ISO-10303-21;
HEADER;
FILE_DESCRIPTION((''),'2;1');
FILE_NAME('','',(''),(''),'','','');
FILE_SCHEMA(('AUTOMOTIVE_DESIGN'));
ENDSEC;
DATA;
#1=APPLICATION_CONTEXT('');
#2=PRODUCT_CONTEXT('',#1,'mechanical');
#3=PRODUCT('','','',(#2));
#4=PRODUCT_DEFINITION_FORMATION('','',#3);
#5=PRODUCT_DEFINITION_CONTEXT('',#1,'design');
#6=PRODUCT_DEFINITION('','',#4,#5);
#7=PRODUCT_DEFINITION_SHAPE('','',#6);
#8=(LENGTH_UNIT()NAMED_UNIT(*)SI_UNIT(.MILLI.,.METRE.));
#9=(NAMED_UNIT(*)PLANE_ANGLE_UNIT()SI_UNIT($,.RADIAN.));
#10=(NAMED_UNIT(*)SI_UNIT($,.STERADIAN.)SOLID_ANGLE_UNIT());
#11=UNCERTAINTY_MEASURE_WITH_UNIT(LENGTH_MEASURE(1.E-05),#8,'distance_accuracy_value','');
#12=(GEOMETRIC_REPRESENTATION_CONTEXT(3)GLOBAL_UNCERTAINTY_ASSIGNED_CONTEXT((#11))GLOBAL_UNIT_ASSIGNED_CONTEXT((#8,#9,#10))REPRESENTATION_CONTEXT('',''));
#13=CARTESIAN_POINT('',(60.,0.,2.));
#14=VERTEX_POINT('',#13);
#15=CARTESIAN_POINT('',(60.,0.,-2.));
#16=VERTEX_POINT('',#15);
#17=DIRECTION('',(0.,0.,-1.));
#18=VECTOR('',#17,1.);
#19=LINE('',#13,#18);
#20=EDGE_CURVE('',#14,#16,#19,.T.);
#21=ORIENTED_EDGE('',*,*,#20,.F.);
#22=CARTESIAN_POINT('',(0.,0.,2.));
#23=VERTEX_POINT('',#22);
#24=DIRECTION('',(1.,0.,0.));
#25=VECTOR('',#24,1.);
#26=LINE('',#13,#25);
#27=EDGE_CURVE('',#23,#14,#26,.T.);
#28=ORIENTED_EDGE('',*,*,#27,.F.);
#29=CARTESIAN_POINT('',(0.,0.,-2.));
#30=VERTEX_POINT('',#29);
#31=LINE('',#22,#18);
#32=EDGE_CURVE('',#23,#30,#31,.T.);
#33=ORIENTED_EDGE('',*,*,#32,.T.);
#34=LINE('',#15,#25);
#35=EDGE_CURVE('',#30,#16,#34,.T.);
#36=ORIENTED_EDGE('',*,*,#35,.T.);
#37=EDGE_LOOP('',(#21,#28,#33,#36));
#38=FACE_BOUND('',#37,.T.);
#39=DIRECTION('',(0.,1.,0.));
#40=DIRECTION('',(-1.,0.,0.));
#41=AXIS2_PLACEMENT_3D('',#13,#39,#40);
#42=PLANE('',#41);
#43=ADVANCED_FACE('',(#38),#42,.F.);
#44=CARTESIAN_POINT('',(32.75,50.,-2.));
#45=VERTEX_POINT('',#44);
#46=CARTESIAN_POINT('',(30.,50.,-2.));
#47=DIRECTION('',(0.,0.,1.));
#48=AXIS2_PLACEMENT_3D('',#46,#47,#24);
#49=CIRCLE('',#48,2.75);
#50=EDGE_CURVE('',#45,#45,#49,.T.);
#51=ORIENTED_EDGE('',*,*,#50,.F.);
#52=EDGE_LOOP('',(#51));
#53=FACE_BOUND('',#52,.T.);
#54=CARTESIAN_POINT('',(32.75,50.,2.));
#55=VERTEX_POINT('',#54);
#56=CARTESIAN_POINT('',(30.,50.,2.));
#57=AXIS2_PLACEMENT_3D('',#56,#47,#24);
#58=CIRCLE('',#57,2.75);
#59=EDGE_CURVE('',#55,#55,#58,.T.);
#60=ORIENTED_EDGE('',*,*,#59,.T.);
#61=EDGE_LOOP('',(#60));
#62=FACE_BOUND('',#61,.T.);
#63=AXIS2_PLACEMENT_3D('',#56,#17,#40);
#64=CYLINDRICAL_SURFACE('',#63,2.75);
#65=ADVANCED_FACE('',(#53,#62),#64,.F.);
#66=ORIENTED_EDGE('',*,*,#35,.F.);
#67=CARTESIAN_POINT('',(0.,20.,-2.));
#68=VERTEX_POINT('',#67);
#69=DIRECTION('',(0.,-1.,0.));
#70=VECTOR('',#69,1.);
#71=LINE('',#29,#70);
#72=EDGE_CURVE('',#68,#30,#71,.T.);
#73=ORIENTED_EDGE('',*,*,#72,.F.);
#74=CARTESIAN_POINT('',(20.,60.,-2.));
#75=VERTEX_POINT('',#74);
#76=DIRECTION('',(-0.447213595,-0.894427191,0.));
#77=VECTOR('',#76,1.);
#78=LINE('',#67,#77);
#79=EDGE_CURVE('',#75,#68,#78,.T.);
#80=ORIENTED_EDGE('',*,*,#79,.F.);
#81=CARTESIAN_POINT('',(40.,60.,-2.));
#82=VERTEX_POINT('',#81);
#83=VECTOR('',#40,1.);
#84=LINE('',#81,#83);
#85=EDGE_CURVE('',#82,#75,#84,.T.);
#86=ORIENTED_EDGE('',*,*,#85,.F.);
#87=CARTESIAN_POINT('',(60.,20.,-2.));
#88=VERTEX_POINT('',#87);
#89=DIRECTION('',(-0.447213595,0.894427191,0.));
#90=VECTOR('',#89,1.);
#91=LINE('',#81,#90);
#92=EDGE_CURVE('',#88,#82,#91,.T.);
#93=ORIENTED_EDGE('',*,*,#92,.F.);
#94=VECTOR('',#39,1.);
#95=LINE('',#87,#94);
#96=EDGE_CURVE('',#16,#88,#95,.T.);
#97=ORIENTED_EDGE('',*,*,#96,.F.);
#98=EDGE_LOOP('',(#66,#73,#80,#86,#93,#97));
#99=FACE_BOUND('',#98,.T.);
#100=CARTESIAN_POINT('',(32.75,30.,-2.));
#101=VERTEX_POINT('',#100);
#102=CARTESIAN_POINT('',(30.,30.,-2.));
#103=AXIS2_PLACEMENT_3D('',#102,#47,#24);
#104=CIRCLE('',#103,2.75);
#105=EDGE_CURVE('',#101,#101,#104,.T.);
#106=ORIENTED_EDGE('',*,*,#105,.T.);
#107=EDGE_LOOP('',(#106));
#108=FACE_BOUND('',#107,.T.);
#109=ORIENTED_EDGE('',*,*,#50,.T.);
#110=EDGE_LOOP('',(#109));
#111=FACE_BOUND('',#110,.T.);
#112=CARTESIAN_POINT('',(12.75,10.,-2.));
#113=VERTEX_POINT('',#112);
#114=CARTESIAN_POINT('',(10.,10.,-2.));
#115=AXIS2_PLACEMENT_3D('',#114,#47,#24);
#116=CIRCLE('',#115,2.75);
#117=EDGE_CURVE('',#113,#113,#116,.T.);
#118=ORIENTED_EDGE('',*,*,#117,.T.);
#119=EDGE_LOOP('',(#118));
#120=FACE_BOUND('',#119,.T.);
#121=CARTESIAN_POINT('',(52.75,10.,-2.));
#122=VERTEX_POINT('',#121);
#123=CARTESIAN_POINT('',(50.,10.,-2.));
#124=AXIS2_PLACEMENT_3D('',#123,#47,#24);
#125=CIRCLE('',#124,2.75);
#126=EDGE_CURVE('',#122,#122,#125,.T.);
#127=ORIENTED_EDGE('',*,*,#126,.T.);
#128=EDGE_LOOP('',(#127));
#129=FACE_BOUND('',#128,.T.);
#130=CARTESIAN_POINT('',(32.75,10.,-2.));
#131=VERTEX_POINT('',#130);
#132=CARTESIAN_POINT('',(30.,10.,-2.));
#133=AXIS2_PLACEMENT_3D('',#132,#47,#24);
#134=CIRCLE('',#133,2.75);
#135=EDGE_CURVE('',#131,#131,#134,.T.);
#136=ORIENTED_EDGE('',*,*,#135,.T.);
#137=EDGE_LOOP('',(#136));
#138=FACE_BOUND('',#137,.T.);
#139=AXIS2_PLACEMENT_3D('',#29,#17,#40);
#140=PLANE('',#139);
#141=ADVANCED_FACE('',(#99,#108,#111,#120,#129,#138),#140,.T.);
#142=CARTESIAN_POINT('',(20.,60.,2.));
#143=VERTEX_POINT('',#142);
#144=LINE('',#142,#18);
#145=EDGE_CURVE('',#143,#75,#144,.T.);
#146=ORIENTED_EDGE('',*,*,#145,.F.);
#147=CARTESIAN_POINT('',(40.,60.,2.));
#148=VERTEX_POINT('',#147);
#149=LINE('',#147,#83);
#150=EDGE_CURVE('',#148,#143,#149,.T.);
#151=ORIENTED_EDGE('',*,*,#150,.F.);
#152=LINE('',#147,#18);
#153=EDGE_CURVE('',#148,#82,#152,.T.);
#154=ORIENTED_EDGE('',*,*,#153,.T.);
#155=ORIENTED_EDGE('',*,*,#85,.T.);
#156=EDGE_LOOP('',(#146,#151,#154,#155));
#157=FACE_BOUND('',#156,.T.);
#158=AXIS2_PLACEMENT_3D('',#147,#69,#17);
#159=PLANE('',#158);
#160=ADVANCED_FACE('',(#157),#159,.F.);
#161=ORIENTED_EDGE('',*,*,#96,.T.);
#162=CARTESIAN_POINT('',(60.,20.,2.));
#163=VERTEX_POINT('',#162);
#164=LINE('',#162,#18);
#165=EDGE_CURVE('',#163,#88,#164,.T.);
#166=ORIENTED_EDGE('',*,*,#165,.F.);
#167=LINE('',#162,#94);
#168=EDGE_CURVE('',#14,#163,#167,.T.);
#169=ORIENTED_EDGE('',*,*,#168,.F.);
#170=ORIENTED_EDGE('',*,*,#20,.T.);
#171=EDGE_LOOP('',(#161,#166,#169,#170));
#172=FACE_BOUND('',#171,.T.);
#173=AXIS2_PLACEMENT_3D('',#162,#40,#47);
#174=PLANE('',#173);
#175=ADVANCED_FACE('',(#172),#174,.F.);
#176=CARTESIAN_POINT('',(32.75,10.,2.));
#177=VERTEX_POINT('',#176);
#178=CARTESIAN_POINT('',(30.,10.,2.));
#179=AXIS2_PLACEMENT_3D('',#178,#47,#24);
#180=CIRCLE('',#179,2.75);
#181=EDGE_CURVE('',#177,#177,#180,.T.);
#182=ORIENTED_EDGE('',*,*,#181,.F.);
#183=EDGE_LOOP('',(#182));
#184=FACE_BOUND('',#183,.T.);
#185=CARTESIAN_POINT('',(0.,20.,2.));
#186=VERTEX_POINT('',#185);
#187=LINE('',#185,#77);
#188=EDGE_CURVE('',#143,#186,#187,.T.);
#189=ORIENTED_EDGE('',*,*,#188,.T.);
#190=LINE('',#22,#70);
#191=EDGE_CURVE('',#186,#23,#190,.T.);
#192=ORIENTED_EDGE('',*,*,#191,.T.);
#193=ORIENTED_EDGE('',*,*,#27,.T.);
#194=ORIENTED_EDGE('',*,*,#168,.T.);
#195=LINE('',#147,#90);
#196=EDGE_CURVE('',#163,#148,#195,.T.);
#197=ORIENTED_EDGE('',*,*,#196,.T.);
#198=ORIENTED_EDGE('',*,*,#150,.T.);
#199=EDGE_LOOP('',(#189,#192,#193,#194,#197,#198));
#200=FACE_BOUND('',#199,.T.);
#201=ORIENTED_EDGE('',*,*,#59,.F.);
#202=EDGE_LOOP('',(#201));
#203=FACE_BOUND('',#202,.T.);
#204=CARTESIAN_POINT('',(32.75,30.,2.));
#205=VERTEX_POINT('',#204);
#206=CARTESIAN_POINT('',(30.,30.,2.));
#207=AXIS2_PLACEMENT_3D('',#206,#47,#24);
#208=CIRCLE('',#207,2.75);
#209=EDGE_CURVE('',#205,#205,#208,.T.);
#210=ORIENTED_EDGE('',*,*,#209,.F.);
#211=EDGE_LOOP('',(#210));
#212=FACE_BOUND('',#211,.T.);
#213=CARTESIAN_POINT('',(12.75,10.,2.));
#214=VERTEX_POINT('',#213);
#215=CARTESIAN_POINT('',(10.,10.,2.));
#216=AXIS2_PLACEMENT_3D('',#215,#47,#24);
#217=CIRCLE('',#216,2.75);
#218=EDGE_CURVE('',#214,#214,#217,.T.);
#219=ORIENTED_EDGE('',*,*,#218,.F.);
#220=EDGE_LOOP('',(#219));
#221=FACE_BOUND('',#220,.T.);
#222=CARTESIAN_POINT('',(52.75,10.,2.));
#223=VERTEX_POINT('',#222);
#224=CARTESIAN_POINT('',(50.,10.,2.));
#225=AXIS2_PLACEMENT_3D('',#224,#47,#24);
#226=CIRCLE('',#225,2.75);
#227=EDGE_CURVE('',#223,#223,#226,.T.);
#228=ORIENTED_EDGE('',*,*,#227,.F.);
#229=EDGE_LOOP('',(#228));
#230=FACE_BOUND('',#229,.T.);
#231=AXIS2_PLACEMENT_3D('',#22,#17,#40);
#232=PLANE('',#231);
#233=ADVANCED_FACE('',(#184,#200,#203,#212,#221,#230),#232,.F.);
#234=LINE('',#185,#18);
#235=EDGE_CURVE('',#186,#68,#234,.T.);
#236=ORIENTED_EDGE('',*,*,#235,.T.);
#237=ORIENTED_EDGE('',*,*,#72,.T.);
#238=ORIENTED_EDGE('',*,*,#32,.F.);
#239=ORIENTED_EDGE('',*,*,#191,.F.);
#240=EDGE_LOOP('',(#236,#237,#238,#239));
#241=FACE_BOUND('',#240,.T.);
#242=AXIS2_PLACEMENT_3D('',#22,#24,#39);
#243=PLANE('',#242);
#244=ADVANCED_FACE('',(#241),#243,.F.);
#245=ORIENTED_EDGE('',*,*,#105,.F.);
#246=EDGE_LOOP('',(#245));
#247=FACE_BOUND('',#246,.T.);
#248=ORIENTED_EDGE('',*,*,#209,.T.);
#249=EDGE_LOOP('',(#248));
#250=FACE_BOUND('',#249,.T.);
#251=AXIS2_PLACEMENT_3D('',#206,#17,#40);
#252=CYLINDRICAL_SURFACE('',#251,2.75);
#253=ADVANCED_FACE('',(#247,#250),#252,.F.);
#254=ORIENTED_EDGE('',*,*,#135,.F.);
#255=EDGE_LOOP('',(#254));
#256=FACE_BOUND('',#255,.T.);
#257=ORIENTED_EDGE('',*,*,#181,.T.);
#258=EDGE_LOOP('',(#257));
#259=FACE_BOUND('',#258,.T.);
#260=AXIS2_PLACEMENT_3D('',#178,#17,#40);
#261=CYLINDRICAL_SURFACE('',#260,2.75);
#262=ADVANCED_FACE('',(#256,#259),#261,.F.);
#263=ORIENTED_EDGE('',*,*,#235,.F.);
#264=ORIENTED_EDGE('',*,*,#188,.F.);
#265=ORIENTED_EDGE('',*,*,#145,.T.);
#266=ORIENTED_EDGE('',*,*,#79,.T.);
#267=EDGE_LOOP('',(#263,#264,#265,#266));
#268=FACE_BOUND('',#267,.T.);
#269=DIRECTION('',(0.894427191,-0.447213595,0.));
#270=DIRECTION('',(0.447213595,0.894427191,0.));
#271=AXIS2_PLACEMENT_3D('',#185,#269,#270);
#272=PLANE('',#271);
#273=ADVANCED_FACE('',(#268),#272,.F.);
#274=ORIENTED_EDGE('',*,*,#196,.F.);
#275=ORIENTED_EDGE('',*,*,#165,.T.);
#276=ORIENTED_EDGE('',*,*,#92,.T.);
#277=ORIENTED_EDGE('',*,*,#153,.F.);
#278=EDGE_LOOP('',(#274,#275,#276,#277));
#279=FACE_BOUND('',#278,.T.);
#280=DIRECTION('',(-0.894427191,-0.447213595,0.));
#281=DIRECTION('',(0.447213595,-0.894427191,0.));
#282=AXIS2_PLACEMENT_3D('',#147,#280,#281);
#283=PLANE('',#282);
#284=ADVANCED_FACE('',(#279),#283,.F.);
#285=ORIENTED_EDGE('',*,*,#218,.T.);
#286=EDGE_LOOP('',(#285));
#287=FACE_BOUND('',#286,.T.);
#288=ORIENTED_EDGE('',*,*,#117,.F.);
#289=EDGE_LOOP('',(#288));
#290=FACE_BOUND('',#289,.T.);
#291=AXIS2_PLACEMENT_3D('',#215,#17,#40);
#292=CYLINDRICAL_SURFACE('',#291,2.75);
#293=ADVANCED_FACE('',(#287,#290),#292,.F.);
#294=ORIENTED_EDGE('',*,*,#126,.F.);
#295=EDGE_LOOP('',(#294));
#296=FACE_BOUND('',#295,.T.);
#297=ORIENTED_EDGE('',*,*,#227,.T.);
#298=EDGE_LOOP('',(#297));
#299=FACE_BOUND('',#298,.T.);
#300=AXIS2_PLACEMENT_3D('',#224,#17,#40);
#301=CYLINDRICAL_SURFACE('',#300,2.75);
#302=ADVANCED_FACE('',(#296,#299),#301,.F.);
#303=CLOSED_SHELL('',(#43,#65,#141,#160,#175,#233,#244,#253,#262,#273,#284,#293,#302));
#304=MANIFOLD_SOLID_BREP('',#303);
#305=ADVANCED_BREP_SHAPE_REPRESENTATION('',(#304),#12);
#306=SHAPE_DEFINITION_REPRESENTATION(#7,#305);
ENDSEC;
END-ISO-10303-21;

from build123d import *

# Parameters (mm, degrees)
SKETCH1_R           = 2.75
BOSS_EXTRUDE1_DEPTH = 2


with BuildPart() as part:
    # Sketch1 → Boss-Extrude1 (new, symmetric)
    with BuildSketch(Plane.XY):
        Polygon((0, 0), (0, 20), (20, 60), (40, 60), (60, 20), (60, 0), align=None)
        with Locations((10, 10)):
            Circle(SKETCH1_R, mode=Mode.SUBTRACT)
        with Locations((30, 10)):
            Circle(SKETCH1_R, mode=Mode.SUBTRACT)
        with Locations((50, 10)):
            Circle(SKETCH1_R, mode=Mode.SUBTRACT)
        with Locations((30, 30)):
            Circle(SKETCH1_R, mode=Mode.SUBTRACT)
        with Locations((30, 50)):
            Circle(SKETCH1_R, mode=Mode.SUBTRACT)
    extrude(amount=BOSS_EXTRUDE1_DEPTH, both=True)


solid = part.part
